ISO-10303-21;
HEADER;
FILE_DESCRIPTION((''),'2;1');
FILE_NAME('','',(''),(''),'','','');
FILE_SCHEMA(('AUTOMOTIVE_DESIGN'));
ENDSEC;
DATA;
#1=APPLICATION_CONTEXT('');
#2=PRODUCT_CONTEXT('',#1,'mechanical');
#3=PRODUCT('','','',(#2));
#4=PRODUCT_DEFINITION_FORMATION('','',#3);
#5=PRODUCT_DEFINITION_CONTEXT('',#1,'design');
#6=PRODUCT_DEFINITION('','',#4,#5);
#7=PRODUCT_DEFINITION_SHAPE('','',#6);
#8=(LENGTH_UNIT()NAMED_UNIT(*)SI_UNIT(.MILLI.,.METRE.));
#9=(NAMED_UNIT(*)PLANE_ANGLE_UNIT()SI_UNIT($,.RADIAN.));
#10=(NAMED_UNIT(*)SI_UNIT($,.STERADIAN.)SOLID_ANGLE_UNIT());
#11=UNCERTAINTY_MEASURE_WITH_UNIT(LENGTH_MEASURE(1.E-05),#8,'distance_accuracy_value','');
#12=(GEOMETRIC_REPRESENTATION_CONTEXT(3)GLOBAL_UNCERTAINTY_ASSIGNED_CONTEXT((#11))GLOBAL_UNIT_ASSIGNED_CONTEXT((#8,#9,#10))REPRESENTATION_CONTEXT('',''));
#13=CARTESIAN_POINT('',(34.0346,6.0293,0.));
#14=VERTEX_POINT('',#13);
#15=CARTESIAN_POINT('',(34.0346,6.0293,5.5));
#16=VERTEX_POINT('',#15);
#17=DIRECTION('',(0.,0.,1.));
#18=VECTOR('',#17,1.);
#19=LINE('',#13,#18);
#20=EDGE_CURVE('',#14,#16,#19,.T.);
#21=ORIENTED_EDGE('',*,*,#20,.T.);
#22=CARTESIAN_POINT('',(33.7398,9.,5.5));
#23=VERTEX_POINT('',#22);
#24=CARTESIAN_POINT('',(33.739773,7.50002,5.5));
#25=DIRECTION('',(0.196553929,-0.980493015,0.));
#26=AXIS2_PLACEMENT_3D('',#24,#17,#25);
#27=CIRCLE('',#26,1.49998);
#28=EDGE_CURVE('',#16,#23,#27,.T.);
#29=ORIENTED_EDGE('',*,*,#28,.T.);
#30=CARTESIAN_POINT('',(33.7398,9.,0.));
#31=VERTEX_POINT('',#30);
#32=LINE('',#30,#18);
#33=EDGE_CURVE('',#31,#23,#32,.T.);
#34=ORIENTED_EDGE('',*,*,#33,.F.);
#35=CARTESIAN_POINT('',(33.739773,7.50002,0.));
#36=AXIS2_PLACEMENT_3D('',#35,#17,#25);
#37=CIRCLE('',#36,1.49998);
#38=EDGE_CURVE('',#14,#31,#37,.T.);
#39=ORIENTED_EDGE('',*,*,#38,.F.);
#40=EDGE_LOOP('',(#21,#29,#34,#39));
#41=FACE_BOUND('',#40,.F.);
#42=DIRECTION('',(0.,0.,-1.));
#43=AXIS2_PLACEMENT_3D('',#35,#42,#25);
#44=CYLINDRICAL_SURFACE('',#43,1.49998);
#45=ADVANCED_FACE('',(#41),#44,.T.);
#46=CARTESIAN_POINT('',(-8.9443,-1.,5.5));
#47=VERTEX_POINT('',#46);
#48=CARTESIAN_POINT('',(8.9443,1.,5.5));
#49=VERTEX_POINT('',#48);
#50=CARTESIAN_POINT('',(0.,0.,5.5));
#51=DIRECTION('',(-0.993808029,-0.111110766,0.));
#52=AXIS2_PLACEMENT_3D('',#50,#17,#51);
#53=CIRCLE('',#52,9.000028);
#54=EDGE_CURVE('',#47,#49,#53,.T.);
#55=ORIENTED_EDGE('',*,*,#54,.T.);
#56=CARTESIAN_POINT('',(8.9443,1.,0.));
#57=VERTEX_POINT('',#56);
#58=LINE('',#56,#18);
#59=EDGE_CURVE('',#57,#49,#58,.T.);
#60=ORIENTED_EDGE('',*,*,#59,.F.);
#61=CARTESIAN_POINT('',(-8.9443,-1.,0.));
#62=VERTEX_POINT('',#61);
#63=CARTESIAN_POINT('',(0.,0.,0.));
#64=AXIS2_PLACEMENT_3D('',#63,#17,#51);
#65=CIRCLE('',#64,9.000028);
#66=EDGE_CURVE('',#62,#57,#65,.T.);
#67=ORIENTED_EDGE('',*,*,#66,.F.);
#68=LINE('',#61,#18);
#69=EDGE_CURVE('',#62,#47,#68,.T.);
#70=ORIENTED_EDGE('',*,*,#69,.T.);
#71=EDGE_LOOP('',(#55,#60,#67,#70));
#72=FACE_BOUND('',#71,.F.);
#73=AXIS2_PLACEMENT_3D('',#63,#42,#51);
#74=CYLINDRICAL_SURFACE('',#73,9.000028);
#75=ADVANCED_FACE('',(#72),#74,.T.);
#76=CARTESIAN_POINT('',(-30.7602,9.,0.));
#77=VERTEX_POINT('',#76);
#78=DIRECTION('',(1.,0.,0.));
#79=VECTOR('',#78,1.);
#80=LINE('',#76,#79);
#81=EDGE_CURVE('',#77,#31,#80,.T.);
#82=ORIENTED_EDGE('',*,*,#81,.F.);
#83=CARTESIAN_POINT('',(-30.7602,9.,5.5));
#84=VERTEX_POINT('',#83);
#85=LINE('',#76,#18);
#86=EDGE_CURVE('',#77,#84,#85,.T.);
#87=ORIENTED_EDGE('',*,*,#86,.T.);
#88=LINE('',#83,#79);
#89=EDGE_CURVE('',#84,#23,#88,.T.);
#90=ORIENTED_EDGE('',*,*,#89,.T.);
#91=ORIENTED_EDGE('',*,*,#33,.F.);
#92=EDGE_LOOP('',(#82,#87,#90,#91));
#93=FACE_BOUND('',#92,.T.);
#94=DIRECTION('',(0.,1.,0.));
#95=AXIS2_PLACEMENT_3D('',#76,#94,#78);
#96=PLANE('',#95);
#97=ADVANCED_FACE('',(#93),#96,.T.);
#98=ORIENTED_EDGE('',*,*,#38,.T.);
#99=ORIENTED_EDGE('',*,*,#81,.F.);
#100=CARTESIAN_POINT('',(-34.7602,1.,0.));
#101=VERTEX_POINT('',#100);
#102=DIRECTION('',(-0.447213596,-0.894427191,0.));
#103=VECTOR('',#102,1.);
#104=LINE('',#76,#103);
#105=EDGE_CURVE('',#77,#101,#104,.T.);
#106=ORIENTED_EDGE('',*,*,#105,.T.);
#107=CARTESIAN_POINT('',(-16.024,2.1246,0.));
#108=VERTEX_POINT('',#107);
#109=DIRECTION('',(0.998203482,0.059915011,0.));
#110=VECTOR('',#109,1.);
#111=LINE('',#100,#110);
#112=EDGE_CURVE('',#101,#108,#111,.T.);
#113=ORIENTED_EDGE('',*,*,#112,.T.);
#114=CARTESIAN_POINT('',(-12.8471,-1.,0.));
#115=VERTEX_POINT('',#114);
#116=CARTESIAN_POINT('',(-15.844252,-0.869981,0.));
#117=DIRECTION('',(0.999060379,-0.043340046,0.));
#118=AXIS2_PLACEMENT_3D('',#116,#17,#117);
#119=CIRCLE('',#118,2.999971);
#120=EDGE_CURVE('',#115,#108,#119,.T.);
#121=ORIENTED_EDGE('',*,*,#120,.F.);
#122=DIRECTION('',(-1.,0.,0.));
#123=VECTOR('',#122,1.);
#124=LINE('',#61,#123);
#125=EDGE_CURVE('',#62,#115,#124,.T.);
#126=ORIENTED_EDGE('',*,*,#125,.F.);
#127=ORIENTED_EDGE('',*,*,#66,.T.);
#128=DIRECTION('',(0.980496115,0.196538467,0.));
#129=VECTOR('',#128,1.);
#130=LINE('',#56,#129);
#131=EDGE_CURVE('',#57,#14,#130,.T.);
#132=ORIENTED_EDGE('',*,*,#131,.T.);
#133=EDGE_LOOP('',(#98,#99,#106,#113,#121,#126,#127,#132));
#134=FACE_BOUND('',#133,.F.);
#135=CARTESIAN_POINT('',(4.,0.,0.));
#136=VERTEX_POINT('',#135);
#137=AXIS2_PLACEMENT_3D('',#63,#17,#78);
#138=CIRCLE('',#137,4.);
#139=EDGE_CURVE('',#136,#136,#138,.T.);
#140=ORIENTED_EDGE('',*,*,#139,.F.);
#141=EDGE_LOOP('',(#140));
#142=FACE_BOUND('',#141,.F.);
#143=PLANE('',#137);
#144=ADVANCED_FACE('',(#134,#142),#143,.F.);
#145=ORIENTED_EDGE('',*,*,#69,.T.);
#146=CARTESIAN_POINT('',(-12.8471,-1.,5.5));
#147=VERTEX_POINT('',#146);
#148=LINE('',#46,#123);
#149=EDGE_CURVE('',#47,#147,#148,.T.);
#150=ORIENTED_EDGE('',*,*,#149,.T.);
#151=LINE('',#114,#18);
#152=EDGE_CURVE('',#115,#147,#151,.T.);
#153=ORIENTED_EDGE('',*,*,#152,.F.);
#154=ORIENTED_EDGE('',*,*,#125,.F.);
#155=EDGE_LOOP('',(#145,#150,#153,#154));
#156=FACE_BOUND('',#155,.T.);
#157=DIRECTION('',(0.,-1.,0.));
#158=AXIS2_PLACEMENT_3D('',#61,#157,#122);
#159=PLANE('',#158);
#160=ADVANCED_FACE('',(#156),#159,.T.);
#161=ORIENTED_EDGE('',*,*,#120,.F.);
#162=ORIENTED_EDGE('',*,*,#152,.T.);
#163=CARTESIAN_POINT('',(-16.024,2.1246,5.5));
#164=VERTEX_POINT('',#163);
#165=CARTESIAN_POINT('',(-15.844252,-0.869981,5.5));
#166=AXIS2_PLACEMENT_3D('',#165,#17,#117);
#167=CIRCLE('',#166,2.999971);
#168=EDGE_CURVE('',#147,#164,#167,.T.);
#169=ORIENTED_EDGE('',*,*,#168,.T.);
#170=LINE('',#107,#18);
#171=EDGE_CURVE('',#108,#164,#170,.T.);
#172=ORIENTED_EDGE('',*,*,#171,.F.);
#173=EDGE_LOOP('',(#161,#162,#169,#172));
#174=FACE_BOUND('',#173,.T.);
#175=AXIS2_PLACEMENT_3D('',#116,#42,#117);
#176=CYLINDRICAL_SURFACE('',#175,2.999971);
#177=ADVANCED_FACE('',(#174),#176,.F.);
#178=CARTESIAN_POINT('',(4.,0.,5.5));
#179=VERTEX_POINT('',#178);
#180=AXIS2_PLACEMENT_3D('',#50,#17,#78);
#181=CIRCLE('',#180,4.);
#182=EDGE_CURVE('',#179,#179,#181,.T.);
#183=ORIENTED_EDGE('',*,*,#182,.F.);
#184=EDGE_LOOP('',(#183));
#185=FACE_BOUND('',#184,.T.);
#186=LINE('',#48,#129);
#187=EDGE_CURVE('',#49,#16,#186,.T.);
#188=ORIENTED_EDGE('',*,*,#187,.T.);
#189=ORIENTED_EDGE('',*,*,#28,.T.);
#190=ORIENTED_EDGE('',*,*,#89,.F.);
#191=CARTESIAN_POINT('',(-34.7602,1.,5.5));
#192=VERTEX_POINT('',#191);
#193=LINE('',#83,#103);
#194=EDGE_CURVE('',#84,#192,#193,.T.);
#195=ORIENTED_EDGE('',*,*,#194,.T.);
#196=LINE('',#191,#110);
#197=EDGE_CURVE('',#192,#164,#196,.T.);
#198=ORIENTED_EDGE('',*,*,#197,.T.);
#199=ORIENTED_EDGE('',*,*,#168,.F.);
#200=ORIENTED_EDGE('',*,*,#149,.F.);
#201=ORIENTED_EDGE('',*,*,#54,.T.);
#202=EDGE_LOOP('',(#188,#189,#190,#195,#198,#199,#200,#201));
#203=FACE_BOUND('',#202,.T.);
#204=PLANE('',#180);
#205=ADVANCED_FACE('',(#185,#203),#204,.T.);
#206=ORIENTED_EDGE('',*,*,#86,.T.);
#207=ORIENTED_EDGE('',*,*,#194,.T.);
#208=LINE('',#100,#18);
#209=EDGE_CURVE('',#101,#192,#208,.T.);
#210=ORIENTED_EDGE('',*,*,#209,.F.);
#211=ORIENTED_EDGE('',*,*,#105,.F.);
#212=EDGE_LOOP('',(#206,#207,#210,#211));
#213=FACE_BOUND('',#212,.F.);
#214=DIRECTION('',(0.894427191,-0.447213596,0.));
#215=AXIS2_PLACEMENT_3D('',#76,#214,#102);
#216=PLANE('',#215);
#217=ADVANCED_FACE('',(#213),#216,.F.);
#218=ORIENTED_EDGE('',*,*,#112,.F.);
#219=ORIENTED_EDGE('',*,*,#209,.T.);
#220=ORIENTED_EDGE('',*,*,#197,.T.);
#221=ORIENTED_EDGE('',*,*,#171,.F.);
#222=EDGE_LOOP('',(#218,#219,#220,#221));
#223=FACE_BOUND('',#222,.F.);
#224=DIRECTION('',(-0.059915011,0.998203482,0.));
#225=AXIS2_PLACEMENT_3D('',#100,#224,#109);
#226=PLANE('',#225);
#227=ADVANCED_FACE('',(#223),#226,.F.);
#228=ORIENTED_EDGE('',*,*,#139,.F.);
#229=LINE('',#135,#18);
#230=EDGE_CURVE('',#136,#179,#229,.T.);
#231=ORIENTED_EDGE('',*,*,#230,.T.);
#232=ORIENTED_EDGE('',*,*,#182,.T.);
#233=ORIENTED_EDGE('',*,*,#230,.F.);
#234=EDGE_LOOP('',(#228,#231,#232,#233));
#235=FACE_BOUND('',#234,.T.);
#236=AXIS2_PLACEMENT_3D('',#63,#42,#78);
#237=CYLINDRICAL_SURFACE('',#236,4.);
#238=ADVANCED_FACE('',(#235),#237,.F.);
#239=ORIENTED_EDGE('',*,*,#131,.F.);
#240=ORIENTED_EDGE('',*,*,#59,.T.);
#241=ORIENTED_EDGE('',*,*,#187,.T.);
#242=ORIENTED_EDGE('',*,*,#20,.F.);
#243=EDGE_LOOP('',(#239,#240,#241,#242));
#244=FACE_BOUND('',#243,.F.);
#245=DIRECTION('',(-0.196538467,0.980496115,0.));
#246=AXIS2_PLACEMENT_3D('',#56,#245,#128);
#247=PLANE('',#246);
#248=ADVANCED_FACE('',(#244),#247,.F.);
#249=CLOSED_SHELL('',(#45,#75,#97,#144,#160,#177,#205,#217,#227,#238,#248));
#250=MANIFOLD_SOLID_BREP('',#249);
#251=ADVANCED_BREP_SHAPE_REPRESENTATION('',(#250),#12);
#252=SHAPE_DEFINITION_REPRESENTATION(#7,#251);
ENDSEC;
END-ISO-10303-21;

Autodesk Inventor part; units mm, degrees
ref_plane "YZ Plane" through (0, 0, 0) normal (1, 0, 0) x (0, 1, 0)
ref_plane "XZ Plane" through (0, 0, 0) normal (0, 1, 0) x (-1, 0, 0)
ref_plane "XY Plane" through (0, 0, 0) normal (0, 0, 1) x (1, 0, 0)
sketch "Sketch1" plane through (0, 0, 0) normal (0, 0, 1) x (1, 0, 0)
  arc A0 (-8.9443, -1) -> (8.9443, 1) centre (0, 0) ccw
  circle A1 centre (0, 0) radius 4
  line L0 (-30.7602, 9) -> (33.7398, 9)
  arc A2 (34.0346, 6.0293) -> (33.7398, 9) centre (33.7398, 7.5) ccw
  line L1 (5.2033, 1) -> (11.259, 1) construction
  line L2 (8.9443, 1) -> (34.0346, 6.0293)
  line L3 (-8.9443, -1) -> (-12.8471, -1)
  line L4 (-30.7602, 9) -> (-34.7602, 1)
  arc A3 (-12.8471, -1) -> (-16.024, 2.1246) centre (-15.8443, -0.87) ccw
  line L5 (-34.7602, 1) -> (-16.024, 2.1246)
  dimension "d0" = 18
  dimension "d1" = 8
  dimension "d2" = 64.5
  dimension "d3" = 3
  dimension "d4" = 9
  dimension "d5" = 8
  dimension "d8" = 10
  dimension "d10" = 4
  dimension "d11" = 8
extrude "Extrusion1" add sketch "Sketch1" along normal blind 5.5
